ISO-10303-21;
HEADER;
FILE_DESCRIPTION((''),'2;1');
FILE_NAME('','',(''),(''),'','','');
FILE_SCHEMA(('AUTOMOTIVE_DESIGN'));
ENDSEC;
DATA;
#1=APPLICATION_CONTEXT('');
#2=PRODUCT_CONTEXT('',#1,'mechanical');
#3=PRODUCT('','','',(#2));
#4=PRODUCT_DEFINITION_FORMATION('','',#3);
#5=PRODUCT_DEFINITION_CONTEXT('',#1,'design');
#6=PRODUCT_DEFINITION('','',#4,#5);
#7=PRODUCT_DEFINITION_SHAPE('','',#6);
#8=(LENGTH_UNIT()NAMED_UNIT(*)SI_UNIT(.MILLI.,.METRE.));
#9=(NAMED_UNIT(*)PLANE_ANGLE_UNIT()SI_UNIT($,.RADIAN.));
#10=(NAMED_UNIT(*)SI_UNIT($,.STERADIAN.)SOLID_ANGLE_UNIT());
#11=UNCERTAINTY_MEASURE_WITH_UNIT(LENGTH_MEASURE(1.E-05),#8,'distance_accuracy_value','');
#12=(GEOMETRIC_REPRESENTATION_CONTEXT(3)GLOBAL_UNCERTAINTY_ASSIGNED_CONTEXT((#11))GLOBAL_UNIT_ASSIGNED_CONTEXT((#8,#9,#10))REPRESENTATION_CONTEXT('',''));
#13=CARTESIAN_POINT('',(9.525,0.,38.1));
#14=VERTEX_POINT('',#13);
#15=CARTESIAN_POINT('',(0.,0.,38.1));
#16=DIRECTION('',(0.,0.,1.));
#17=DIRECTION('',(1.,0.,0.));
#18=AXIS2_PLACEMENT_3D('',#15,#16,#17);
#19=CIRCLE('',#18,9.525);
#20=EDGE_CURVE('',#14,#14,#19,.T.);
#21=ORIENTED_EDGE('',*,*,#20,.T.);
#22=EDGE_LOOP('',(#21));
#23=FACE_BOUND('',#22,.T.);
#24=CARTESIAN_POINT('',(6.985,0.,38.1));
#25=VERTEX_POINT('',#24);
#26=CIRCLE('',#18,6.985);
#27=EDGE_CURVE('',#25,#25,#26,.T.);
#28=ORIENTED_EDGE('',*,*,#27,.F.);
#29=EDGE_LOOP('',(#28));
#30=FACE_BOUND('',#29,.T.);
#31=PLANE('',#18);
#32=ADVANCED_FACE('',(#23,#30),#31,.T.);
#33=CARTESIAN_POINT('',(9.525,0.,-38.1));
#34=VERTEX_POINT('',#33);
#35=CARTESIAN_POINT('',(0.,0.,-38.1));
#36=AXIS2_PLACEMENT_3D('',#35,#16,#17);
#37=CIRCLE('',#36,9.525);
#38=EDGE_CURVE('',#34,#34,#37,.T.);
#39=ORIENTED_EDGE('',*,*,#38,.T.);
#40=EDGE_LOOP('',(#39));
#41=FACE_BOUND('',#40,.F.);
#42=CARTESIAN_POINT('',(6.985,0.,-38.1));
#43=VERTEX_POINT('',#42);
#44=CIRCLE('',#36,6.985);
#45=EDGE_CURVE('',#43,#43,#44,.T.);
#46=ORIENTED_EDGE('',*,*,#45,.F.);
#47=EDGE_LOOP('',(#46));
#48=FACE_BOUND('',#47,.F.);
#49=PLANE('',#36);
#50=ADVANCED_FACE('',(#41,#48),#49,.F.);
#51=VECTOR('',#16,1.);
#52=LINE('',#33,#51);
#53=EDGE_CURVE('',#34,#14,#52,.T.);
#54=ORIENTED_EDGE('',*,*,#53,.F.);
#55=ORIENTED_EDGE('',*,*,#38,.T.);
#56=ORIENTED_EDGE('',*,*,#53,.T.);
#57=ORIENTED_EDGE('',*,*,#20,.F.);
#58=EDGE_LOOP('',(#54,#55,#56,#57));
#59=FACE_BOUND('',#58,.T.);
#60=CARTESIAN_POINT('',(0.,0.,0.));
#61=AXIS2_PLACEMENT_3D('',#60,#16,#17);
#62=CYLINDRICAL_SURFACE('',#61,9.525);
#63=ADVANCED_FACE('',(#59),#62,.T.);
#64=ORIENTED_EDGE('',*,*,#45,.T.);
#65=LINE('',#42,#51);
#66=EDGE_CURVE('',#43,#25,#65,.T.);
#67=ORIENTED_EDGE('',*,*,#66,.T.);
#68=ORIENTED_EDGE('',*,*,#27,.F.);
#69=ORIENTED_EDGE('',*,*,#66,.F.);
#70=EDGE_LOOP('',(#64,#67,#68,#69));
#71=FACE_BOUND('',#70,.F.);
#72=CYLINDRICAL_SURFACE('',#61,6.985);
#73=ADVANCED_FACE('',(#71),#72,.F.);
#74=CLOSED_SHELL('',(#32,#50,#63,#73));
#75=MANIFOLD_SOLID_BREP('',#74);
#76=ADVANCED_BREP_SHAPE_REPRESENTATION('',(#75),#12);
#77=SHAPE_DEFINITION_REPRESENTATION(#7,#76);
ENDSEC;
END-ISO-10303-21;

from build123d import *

# Parameters (mm, degrees)
F0_R     = 9.525
F1_DEPTH = 38.1
F2_T     = -2.54


with BuildPart() as f1:
    # F0 (on Top) → F1 (new body, symmetric)
    with BuildSketch(Plane.XY):
        Circle(F0_R)
    extrude(amount=F1_DEPTH, both=True)

    # F2
    f2_openings = [f1.faces().sort_by_distance(p)[0] for p in [
        (0, 0, 38.1),
        (0, 0, -38.1),
    ]]
    offset(amount=F2_T, openings=f2_openings)


solid = f1.part
